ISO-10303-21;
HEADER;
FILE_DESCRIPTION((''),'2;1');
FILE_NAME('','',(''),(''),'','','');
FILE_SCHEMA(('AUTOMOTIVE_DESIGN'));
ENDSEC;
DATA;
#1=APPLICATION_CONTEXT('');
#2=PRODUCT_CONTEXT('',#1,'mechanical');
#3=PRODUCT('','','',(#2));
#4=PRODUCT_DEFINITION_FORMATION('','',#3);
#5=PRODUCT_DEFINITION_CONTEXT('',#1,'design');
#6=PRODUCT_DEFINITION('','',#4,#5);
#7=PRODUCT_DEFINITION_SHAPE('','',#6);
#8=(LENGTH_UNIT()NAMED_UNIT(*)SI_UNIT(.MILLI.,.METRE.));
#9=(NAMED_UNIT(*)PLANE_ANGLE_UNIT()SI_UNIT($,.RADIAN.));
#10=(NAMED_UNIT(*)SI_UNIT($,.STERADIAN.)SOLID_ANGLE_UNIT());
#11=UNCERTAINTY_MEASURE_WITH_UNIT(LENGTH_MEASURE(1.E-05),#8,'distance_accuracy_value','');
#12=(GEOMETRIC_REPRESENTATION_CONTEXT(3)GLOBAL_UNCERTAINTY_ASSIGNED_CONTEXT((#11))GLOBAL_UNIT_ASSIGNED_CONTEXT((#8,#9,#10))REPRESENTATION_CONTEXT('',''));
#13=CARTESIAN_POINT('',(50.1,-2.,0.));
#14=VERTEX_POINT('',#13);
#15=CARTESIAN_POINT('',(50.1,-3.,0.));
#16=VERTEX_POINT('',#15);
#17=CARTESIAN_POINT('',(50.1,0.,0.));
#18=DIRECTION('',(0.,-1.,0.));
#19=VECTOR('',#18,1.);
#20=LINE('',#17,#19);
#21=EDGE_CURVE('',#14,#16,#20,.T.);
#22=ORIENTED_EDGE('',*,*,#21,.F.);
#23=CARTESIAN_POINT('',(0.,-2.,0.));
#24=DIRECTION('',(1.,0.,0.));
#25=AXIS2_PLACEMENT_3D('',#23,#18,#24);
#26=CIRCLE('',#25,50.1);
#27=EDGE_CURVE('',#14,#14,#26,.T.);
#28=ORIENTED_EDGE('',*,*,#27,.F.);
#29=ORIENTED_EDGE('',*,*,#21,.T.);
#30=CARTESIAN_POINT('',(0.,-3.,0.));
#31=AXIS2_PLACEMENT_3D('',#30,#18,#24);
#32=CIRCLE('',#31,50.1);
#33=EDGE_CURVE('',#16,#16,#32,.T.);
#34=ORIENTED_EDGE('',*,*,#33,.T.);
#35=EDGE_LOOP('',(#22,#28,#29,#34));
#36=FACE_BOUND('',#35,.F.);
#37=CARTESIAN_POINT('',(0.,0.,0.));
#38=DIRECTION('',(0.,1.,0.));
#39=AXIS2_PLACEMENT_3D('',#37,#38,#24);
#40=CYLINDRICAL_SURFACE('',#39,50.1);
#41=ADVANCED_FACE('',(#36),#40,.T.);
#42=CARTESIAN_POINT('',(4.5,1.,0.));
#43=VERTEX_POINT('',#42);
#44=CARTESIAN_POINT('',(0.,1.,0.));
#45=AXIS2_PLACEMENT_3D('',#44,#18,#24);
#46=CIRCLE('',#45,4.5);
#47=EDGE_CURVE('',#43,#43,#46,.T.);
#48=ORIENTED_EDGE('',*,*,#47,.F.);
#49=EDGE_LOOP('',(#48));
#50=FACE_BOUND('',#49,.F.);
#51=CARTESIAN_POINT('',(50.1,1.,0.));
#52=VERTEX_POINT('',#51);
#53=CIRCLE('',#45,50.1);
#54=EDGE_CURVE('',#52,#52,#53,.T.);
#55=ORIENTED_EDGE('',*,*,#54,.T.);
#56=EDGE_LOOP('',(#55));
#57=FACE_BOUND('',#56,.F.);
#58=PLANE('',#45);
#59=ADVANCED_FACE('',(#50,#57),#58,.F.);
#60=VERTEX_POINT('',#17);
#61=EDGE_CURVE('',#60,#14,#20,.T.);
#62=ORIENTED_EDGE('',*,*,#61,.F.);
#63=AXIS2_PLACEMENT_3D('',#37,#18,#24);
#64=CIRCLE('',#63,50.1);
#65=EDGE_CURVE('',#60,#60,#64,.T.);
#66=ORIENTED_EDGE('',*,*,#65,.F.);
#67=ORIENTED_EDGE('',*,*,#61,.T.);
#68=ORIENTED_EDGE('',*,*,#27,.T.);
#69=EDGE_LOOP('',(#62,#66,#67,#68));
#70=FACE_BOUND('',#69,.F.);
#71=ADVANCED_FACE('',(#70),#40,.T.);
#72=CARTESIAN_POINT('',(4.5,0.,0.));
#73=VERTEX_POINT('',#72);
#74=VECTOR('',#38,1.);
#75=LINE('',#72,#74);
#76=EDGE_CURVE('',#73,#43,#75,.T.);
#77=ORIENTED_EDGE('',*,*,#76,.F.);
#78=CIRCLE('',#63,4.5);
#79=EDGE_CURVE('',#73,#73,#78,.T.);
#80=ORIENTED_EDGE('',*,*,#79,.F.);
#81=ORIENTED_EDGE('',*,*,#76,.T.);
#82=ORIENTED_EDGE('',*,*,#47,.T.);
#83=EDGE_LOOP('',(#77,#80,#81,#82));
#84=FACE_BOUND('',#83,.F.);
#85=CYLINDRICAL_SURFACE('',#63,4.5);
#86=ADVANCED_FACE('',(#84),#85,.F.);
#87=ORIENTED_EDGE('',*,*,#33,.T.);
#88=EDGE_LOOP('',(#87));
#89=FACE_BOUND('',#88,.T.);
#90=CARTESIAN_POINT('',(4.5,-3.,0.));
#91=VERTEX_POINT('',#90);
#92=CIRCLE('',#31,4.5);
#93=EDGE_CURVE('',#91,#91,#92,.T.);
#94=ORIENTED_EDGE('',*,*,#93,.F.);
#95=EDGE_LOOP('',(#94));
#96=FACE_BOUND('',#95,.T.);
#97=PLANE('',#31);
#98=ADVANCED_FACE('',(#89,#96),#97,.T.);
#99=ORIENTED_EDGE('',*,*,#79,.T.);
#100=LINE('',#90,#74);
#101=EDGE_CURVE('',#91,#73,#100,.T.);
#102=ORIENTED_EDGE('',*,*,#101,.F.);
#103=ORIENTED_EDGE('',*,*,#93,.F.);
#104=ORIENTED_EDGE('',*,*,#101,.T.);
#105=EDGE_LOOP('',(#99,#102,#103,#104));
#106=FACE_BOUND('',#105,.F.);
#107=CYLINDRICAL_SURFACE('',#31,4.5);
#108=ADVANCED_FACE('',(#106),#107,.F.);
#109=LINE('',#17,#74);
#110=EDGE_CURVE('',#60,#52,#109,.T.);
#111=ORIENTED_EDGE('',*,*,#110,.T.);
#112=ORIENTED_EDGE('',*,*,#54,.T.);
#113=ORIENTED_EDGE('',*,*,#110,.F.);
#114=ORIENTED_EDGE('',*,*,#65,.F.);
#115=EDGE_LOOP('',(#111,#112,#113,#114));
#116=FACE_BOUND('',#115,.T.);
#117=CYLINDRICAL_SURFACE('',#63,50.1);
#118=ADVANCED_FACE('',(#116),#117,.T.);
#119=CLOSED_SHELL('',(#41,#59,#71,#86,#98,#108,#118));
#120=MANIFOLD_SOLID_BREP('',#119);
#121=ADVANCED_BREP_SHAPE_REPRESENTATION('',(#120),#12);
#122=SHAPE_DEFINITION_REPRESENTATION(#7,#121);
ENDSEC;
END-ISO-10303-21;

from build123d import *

# Parameters (mm, degrees)
F0_R      = 50.1
F0_R_2    = 4.5
F1_DEPTH  = 3
F1_FACE_R = 50.1
F2_DEPTH  = 1
F3_R      = 4.5
F4_DEPTH  = 25


with BuildPart() as f1:
    # F0 (on Front) → F1 (new body)
    with BuildSketch(Plane.XZ):
        Circle(F0_R)
        Circle(F0_R_2, mode=Mode.SUBTRACT)
        Circle(F0_R_2)
    extrude(amount=F1_DEPTH)

    # F0 (on Front) + F1_face (on face) → F2 (join)
    with BuildSketch(Plane.XZ):
        Circle(F0_R)
        Circle(F0_R_2, mode=Mode.SUBTRACT)
    with BuildSketch(Plane.XZ.offset(3)):
        Circle(F1_FACE_R)
    extrude(amount=-F2_DEPTH)

    # F3 (on face) → F4 (cut)
    with BuildSketch(Plane.XZ.offset(3)):
        Circle(F3_R)
    extrude(amount=-F4_DEPTH, mode=Mode.SUBTRACT)


solid = f1.part
